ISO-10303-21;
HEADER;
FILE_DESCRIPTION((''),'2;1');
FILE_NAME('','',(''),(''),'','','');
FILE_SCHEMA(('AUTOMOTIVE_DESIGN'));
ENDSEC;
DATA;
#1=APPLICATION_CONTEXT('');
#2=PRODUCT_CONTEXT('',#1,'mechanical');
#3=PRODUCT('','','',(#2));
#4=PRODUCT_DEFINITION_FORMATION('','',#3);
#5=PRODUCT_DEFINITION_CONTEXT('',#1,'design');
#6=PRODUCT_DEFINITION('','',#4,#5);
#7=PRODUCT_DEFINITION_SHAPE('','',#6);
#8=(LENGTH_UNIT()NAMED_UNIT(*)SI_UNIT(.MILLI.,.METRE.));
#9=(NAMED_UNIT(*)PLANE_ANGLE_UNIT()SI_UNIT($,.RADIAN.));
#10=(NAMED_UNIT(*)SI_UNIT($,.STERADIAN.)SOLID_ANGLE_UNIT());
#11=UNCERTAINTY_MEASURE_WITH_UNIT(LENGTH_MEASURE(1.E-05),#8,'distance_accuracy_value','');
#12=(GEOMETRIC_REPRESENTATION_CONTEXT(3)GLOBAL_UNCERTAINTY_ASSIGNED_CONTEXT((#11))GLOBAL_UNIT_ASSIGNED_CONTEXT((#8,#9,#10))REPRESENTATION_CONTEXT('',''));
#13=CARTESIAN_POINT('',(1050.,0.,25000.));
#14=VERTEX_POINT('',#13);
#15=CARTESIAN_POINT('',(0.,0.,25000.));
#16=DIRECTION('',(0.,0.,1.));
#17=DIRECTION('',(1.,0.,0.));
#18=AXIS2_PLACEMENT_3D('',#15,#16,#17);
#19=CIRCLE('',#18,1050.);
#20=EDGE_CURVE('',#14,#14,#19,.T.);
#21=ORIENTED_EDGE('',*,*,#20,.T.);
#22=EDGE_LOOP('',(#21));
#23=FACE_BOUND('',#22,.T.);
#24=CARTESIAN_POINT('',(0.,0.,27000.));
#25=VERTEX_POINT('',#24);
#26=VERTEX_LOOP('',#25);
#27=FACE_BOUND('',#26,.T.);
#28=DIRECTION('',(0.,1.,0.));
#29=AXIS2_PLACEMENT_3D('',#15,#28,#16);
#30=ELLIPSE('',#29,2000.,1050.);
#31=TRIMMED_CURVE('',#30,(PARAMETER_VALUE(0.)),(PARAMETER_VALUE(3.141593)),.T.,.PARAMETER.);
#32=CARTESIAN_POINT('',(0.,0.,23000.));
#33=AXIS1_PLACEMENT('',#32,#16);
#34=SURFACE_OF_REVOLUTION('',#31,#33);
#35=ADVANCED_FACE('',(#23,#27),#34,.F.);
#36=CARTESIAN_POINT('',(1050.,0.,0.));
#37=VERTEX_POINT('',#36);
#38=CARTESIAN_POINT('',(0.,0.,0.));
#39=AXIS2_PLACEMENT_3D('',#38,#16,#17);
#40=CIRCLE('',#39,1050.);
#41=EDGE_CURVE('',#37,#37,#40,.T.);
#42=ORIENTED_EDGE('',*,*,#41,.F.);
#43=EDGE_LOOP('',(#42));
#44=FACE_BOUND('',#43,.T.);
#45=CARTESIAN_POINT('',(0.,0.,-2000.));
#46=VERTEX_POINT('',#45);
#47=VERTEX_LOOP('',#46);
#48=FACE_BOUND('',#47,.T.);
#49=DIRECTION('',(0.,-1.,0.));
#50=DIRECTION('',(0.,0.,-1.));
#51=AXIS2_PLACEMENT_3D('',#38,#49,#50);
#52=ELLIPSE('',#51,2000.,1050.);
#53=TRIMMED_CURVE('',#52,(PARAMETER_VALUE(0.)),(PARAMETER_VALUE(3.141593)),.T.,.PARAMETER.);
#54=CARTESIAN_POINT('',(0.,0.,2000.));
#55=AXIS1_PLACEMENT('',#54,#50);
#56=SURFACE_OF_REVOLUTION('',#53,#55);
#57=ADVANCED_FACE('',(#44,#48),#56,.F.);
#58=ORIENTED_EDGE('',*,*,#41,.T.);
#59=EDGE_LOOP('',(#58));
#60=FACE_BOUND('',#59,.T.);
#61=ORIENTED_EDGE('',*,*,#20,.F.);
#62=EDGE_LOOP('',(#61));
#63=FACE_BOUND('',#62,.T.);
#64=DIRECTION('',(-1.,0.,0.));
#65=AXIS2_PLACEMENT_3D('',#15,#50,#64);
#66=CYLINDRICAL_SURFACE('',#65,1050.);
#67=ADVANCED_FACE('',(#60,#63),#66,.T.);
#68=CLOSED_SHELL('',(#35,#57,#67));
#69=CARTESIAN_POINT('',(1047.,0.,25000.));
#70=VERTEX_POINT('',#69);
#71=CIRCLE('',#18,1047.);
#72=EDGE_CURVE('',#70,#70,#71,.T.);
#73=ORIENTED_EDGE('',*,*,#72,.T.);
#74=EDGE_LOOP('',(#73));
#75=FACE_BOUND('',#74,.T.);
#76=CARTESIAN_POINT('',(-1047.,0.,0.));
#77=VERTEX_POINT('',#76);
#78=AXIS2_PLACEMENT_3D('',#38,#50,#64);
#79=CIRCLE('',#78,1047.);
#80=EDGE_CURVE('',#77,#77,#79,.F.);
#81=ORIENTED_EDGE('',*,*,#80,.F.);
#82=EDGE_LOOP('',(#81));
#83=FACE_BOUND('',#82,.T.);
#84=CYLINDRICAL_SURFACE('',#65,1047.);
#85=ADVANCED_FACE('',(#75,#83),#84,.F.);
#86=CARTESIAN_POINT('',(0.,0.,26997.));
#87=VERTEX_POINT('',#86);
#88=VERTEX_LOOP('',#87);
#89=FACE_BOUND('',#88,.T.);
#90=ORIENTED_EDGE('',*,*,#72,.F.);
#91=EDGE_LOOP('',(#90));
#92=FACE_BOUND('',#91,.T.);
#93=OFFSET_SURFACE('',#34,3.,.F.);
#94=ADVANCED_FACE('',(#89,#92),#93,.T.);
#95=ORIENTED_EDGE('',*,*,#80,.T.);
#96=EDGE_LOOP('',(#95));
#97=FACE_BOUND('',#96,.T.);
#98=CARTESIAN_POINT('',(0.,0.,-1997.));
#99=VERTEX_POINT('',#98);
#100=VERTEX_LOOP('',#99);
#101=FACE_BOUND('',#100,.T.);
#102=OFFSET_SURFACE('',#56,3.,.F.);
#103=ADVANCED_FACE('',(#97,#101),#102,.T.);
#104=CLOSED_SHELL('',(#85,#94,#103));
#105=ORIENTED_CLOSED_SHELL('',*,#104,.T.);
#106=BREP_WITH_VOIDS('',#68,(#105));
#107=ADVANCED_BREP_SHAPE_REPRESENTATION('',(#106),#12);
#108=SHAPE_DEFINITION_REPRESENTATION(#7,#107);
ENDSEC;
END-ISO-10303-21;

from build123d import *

# Parameters (mm, degrees)
ESBO_O1_R                = 1050
RESSALTO_EXTRUS_O1_DEPTH = 25000
DOMO2_FACE_RADIUS        = 1050
DOMO2_HEIGHT             = 2000
DOMO3_FACE_RADIUS        = 1050
DOMO3_HEIGHT             = 2000
CASCA1_T                 = 3


with BuildPart() as part:
    # Esboço1 → Ressalto-extrusão1 (new body)
    with BuildSketch(Plane.XY):
        Circle(ESBO_O1_R)
    extrude(amount=RESSALTO_EXTRUS_O1_DEPTH)

    # Domo2: an elliptical dome of height H over a round flat face of radius A is half a spheroid: the quarter ellipse of half axes A and H revolved about the face's axis
    with BuildSketch(Plane((0, 0, 25000), x_dir=(0, 1, 0), z_dir=(1, 0, 0)), mode=Mode.PRIVATE) as domo2_quarter:
        Ellipse(DOMO2_FACE_RADIUS, DOMO2_HEIGHT)
        Rectangle(DOMO2_FACE_RADIUS, DOMO2_HEIGHT, align=(Align.MIN, Align.MIN), mode=Mode.INTERSECT)
    revolve(domo2_quarter.sketch, axis=Axis((0, 0, 25000), (0, 0, 1)))

    # Domo3: an elliptical dome of height H over a round flat face of radius A is half a spheroid: the quarter ellipse of half axes A and H revolved about the face's axis
    with BuildSketch(Plane((0, 0, 0), x_dir=(0, -1, 0), z_dir=(1, 0, 0)), mode=Mode.PRIVATE) as domo3_quarter:
        Ellipse(DOMO3_FACE_RADIUS, DOMO3_HEIGHT)
        Rectangle(DOMO3_FACE_RADIUS, DOMO3_HEIGHT, align=(Align.MIN, Align.MIN), mode=Mode.INTERSECT)
    revolve(domo3_quarter.sketch, axis=Axis((0, 0, 0), (0, 0, -1)))

    # Casca1 (no face opened: a closed hollow body)
    add(offset(amount=-CASCA1_T, mode=Mode.PRIVATE), mode=Mode.SUBTRACT)


solid = part.part
